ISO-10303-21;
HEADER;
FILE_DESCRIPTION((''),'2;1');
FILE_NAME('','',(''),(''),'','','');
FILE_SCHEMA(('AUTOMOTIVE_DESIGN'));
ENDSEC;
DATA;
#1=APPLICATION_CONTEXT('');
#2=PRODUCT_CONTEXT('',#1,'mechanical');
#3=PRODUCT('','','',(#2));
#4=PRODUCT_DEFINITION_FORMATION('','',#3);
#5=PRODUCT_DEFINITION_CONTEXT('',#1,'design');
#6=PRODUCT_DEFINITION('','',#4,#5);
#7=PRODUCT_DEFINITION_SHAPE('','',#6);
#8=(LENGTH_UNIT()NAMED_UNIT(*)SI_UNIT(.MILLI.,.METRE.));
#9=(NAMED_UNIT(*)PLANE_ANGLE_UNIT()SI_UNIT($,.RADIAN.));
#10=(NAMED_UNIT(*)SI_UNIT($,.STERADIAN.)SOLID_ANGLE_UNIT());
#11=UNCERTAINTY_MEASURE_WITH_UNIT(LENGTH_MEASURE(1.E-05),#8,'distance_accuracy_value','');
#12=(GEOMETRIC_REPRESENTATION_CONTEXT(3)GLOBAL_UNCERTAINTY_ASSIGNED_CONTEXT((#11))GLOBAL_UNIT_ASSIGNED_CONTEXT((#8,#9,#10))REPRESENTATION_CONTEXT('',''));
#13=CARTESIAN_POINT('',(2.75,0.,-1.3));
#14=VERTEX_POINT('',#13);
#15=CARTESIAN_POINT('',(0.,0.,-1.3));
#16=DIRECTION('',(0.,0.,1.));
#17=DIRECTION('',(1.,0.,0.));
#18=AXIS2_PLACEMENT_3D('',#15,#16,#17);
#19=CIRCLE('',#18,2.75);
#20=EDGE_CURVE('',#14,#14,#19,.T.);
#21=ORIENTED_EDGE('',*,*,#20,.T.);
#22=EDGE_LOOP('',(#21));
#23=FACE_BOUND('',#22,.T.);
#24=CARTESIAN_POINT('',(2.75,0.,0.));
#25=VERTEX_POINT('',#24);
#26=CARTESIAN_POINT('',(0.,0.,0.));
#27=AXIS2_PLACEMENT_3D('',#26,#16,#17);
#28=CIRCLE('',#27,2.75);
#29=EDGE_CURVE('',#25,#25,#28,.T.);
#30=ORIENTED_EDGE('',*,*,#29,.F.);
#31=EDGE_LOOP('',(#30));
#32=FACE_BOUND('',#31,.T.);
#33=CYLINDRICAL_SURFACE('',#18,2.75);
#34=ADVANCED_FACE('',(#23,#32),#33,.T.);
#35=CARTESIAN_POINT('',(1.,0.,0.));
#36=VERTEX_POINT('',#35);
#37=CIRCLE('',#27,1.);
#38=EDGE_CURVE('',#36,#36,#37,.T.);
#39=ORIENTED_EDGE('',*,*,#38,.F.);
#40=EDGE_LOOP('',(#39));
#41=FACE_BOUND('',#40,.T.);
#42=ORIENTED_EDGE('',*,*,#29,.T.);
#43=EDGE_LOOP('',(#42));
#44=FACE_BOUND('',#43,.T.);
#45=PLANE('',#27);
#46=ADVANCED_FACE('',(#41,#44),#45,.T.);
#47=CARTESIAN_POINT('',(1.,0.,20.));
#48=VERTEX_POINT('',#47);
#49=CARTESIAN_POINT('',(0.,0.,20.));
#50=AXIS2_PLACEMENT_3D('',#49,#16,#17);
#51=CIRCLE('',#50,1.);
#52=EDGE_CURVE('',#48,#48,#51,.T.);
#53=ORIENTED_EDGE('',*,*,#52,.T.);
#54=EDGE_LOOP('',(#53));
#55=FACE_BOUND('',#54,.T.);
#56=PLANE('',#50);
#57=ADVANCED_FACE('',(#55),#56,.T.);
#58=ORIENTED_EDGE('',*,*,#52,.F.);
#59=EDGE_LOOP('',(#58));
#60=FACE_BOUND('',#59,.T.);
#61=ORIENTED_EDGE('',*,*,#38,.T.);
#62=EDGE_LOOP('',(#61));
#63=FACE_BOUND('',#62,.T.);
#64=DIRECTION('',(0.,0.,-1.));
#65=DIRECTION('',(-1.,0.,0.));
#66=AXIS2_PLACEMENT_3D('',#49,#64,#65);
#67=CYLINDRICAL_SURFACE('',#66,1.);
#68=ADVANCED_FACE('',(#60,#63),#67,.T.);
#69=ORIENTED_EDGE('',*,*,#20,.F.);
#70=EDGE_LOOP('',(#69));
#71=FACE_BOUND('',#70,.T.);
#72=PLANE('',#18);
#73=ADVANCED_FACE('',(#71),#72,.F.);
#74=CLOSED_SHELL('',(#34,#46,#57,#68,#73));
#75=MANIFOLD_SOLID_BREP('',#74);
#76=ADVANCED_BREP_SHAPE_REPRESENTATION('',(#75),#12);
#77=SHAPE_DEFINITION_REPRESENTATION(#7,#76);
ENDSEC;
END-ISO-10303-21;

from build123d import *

# Parameters (mm, degrees)
ESQUISSE1_R        = 1
BOSS_EXTRU_1_DEPTH = 20
ESQUISSE2_R        = 2.75
BOSS_EXTRU_2_DEPTH = 1.3


with BuildPart() as part:
    # Esquisse1 → Boss.-Extru.1 (new body)
    with BuildSketch(Plane.XY):
        Circle(ESQUISSE1_R)
    extrude(amount=BOSS_EXTRU_1_DEPTH)

    # Esquisse2 → Boss.-Extru.2 (add)
    with BuildSketch(Plane.XY):
        Circle(ESQUISSE2_R)
    extrude(amount=-BOSS_EXTRU_2_DEPTH)


solid = part.part
